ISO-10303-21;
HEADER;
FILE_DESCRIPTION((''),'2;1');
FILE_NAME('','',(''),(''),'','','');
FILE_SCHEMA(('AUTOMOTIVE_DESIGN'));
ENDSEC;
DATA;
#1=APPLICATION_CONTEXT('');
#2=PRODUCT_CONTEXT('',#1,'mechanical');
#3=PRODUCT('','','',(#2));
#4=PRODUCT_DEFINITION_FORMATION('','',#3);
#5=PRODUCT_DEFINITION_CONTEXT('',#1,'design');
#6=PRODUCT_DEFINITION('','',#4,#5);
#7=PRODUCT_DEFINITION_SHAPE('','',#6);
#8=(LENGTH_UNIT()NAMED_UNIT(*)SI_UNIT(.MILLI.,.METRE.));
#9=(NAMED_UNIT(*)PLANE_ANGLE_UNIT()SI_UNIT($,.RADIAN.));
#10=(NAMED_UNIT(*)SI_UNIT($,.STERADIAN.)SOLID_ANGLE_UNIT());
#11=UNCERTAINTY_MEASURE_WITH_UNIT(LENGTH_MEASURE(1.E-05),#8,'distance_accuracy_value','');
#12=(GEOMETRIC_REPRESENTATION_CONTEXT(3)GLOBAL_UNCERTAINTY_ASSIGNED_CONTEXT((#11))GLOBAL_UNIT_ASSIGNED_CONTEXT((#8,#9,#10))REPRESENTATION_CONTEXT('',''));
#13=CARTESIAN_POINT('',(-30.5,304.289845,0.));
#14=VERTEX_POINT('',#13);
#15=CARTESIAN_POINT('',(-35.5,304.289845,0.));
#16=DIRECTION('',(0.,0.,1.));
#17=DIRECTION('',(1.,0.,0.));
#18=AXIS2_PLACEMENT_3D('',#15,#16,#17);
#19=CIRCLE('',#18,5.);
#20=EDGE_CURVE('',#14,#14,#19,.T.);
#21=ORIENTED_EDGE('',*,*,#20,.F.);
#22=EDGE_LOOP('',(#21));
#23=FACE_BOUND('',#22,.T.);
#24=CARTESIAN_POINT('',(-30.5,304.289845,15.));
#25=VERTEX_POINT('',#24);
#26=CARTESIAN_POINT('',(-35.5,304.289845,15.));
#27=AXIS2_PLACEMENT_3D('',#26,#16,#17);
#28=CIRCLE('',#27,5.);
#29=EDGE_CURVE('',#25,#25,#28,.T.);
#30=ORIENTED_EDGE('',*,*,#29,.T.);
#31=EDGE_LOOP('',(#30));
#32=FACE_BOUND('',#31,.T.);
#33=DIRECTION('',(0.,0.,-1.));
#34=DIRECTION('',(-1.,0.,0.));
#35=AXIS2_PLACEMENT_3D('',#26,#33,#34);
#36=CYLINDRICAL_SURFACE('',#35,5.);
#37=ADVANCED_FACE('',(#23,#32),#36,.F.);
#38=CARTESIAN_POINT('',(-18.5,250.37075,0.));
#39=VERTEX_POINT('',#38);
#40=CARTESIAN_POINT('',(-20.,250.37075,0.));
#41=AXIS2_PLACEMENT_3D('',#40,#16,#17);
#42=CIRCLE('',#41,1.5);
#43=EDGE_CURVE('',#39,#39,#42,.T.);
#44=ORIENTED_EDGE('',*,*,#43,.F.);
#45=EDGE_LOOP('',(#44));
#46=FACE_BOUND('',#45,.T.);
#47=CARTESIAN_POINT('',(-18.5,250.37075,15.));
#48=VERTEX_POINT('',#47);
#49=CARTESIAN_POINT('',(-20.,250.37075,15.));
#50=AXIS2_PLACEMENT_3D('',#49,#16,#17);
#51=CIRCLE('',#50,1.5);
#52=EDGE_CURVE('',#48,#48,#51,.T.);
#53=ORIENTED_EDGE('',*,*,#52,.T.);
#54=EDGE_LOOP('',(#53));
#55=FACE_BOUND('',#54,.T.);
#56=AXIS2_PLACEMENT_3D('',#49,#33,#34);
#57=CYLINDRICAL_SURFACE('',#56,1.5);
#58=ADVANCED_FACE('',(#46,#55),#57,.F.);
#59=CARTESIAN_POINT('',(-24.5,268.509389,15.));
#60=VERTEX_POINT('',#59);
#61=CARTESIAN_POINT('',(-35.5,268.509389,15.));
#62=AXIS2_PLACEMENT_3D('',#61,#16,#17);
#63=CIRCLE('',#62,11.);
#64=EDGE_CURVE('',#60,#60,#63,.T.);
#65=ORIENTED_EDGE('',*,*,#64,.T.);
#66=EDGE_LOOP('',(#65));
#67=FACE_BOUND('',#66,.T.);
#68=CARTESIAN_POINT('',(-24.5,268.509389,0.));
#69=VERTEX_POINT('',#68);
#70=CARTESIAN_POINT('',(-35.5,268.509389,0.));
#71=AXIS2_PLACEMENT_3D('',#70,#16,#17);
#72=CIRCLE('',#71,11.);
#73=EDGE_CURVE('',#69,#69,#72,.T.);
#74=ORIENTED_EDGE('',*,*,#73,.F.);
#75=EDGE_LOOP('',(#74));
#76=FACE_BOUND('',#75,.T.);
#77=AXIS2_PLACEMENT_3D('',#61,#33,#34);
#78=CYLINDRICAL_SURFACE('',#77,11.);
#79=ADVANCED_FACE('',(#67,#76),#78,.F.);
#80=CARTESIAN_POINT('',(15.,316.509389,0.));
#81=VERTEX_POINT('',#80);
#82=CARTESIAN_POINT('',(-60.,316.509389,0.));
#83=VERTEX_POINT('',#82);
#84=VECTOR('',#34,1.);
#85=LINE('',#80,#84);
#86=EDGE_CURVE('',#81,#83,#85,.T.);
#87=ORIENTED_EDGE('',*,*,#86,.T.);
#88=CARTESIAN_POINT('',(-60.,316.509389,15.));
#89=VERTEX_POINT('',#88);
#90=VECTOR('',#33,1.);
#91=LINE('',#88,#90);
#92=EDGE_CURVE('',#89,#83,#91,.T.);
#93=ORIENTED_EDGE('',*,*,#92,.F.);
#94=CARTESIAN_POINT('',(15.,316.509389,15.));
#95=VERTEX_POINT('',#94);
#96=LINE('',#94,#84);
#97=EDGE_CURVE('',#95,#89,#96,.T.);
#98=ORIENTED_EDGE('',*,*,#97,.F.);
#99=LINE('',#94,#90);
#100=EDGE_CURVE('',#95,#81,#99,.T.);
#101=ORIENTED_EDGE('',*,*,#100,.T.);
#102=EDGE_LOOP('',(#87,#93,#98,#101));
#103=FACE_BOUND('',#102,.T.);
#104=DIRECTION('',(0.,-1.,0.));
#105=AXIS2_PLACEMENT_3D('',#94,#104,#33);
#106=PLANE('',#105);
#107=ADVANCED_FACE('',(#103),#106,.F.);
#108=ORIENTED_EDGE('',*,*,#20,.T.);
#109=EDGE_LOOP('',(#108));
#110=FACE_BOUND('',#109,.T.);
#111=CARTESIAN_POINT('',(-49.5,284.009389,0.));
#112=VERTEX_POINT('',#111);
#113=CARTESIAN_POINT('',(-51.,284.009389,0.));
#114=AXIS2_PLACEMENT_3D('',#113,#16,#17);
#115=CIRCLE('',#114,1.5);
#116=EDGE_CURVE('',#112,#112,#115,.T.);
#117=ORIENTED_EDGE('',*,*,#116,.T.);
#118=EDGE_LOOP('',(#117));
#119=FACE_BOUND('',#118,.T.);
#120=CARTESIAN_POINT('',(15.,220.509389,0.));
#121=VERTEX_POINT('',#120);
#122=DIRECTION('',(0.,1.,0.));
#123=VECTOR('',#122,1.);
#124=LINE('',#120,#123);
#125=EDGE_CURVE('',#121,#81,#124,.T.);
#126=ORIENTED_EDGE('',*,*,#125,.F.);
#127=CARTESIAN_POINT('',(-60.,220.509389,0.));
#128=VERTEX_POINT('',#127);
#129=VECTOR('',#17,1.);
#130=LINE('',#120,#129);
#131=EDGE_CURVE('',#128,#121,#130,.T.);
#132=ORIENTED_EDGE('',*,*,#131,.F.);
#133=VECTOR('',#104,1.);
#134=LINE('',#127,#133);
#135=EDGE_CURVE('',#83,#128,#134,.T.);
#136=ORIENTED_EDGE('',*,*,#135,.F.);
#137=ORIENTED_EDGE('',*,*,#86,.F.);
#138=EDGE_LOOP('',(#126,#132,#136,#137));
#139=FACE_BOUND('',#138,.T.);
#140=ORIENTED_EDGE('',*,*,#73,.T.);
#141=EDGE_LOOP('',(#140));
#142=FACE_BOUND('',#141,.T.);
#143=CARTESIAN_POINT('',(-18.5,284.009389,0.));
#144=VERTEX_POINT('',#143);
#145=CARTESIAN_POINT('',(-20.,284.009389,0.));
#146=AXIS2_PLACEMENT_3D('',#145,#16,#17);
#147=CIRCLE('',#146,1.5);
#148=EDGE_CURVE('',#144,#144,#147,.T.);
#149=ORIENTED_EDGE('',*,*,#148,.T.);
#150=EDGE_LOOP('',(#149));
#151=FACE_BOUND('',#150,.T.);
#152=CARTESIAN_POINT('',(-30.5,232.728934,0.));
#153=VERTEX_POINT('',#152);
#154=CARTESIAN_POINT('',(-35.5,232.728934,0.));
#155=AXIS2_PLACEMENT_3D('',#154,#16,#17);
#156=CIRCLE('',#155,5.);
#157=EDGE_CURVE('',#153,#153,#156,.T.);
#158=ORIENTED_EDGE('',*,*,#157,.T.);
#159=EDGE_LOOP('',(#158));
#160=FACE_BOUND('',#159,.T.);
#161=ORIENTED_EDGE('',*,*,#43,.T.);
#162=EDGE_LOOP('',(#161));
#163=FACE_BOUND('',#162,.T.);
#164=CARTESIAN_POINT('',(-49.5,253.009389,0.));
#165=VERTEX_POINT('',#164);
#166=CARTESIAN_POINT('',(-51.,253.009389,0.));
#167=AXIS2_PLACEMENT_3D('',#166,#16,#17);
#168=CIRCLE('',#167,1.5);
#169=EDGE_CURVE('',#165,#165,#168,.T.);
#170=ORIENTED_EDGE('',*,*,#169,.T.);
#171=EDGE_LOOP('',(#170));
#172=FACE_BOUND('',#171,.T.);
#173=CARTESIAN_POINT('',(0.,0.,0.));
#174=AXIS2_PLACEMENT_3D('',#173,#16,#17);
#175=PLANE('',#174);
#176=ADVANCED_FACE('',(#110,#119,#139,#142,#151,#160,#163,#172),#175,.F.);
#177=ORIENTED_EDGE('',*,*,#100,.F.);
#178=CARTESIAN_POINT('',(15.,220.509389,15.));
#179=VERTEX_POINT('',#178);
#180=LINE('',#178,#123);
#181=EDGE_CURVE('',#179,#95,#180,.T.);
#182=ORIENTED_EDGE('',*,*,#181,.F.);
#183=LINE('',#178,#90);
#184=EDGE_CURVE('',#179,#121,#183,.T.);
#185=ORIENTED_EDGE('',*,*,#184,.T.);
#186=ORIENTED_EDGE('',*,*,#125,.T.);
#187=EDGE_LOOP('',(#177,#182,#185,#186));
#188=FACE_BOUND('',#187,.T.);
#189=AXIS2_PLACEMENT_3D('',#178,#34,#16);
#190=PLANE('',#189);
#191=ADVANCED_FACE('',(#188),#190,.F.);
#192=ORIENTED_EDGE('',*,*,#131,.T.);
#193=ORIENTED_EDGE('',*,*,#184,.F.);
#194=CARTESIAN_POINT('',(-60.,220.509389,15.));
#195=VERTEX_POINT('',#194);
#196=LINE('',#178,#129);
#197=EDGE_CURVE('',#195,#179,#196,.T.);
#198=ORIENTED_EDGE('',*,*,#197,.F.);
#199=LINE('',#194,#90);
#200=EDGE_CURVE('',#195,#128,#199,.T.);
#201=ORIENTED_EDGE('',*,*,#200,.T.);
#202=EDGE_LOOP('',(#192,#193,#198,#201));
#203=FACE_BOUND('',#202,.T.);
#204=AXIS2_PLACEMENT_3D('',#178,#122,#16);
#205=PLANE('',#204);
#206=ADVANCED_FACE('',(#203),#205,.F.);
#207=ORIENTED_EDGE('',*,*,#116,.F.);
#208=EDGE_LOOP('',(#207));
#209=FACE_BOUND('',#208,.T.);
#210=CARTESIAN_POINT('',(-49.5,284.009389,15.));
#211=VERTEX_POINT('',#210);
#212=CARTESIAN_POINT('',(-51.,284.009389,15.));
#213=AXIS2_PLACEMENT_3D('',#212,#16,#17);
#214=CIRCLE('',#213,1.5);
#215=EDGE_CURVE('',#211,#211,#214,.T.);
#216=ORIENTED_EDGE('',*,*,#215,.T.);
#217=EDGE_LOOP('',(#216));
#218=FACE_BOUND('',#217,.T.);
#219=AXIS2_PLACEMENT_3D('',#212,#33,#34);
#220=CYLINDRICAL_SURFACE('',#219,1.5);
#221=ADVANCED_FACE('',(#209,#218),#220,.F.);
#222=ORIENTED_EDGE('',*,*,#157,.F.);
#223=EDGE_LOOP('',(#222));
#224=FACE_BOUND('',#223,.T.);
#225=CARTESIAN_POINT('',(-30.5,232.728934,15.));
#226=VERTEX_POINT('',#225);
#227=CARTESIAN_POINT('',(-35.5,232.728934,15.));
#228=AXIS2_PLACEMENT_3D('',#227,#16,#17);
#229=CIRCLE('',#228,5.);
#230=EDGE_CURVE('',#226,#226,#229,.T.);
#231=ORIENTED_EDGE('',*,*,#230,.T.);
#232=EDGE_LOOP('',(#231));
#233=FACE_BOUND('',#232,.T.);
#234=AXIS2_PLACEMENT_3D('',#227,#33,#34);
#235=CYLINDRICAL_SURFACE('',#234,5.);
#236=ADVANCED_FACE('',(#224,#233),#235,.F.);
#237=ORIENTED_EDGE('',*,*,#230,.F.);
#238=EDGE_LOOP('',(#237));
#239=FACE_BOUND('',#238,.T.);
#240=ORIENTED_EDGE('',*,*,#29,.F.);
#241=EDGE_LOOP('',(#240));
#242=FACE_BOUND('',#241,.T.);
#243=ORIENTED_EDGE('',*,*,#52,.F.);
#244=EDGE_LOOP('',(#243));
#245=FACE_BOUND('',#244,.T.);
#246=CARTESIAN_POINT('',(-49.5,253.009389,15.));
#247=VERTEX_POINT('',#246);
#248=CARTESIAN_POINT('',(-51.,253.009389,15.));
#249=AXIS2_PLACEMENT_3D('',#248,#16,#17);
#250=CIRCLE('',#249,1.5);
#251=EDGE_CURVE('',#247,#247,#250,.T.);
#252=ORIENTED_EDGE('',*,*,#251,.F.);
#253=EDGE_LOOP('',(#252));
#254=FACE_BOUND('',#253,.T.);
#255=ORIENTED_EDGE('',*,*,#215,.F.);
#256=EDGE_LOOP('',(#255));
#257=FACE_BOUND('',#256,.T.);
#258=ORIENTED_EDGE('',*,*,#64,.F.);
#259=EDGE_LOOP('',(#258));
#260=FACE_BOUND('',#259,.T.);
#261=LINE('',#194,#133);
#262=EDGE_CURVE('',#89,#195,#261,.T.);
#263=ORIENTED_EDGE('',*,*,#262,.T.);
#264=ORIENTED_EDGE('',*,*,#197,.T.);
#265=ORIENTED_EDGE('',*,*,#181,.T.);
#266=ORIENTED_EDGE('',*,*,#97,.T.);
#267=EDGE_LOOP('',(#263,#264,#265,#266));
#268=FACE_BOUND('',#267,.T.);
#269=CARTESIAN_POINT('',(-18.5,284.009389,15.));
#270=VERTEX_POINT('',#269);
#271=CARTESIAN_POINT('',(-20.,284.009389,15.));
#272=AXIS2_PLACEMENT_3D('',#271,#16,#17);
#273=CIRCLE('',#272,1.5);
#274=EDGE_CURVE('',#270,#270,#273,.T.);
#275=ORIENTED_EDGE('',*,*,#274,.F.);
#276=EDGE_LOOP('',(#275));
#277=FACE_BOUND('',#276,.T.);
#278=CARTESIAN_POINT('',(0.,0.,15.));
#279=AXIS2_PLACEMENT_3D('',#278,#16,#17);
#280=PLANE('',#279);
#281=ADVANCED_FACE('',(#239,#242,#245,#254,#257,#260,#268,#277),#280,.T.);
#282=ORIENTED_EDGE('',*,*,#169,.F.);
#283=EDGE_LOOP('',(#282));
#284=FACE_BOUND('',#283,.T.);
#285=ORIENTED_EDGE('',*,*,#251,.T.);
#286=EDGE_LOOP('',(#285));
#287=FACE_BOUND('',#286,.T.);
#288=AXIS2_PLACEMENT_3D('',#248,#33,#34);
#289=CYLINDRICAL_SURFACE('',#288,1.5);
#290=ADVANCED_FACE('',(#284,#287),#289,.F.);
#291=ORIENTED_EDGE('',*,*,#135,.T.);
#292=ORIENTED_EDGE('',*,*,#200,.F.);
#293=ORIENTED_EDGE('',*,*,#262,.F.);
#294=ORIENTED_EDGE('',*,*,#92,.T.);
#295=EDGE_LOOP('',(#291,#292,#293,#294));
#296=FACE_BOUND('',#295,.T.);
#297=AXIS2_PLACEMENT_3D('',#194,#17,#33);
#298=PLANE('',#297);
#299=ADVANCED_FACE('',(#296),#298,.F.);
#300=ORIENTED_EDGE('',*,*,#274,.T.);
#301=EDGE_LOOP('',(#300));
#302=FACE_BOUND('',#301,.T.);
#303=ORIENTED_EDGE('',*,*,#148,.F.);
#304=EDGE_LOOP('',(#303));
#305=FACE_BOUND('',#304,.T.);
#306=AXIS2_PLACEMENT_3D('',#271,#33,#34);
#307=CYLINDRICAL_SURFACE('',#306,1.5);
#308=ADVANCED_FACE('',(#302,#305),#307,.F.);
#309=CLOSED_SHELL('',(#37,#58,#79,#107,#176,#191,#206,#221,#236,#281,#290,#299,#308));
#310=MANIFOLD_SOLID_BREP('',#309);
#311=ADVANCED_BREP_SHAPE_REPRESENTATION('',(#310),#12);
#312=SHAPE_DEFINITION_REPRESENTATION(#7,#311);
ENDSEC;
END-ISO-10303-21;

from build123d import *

# Parameters (mm, degrees)
SKETCH1_W           = 75
SKETCH1_H           = 96
SKETCH1_R           = 1.5
SKETCH1_R_2         = 11
SKETCH1_R_3         = 5
BOSS_EXTRUDE1_DEPTH = 15


with BuildPart() as part:
    # Sketch1 → Boss-Extrude1 (new body)
    with BuildSketch(Plane.XY):
        with Locations((-22.5, 268.509389187)):
            Rectangle(SKETCH1_W, SKETCH1_H)
        with Locations((-51, 253.009389187)):
            Circle(SKETCH1_R, mode=Mode.SUBTRACT)
        with Locations((-51, 284.009389187)):
            Circle(SKETCH1_R, mode=Mode.SUBTRACT)
        with Locations((-20, 250.370749596)):
            Circle(SKETCH1_R, mode=Mode.SUBTRACT)
        with Locations((-35.5, 268.509389187)):
            Circle(SKETCH1_R_2, mode=Mode.SUBTRACT)
        with Locations((-20, 284.009389187)):
            Circle(SKETCH1_R, mode=Mode.SUBTRACT)
        with Locations((-35.5, 232.728933645)):
            Circle(SKETCH1_R_3, mode=Mode.SUBTRACT)
        with Locations((-35.5, 304.28984473)):
            Circle(SKETCH1_R_3, mode=Mode.SUBTRACT)
    extrude(amount=BOSS_EXTRUDE1_DEPTH)


solid = part.part
